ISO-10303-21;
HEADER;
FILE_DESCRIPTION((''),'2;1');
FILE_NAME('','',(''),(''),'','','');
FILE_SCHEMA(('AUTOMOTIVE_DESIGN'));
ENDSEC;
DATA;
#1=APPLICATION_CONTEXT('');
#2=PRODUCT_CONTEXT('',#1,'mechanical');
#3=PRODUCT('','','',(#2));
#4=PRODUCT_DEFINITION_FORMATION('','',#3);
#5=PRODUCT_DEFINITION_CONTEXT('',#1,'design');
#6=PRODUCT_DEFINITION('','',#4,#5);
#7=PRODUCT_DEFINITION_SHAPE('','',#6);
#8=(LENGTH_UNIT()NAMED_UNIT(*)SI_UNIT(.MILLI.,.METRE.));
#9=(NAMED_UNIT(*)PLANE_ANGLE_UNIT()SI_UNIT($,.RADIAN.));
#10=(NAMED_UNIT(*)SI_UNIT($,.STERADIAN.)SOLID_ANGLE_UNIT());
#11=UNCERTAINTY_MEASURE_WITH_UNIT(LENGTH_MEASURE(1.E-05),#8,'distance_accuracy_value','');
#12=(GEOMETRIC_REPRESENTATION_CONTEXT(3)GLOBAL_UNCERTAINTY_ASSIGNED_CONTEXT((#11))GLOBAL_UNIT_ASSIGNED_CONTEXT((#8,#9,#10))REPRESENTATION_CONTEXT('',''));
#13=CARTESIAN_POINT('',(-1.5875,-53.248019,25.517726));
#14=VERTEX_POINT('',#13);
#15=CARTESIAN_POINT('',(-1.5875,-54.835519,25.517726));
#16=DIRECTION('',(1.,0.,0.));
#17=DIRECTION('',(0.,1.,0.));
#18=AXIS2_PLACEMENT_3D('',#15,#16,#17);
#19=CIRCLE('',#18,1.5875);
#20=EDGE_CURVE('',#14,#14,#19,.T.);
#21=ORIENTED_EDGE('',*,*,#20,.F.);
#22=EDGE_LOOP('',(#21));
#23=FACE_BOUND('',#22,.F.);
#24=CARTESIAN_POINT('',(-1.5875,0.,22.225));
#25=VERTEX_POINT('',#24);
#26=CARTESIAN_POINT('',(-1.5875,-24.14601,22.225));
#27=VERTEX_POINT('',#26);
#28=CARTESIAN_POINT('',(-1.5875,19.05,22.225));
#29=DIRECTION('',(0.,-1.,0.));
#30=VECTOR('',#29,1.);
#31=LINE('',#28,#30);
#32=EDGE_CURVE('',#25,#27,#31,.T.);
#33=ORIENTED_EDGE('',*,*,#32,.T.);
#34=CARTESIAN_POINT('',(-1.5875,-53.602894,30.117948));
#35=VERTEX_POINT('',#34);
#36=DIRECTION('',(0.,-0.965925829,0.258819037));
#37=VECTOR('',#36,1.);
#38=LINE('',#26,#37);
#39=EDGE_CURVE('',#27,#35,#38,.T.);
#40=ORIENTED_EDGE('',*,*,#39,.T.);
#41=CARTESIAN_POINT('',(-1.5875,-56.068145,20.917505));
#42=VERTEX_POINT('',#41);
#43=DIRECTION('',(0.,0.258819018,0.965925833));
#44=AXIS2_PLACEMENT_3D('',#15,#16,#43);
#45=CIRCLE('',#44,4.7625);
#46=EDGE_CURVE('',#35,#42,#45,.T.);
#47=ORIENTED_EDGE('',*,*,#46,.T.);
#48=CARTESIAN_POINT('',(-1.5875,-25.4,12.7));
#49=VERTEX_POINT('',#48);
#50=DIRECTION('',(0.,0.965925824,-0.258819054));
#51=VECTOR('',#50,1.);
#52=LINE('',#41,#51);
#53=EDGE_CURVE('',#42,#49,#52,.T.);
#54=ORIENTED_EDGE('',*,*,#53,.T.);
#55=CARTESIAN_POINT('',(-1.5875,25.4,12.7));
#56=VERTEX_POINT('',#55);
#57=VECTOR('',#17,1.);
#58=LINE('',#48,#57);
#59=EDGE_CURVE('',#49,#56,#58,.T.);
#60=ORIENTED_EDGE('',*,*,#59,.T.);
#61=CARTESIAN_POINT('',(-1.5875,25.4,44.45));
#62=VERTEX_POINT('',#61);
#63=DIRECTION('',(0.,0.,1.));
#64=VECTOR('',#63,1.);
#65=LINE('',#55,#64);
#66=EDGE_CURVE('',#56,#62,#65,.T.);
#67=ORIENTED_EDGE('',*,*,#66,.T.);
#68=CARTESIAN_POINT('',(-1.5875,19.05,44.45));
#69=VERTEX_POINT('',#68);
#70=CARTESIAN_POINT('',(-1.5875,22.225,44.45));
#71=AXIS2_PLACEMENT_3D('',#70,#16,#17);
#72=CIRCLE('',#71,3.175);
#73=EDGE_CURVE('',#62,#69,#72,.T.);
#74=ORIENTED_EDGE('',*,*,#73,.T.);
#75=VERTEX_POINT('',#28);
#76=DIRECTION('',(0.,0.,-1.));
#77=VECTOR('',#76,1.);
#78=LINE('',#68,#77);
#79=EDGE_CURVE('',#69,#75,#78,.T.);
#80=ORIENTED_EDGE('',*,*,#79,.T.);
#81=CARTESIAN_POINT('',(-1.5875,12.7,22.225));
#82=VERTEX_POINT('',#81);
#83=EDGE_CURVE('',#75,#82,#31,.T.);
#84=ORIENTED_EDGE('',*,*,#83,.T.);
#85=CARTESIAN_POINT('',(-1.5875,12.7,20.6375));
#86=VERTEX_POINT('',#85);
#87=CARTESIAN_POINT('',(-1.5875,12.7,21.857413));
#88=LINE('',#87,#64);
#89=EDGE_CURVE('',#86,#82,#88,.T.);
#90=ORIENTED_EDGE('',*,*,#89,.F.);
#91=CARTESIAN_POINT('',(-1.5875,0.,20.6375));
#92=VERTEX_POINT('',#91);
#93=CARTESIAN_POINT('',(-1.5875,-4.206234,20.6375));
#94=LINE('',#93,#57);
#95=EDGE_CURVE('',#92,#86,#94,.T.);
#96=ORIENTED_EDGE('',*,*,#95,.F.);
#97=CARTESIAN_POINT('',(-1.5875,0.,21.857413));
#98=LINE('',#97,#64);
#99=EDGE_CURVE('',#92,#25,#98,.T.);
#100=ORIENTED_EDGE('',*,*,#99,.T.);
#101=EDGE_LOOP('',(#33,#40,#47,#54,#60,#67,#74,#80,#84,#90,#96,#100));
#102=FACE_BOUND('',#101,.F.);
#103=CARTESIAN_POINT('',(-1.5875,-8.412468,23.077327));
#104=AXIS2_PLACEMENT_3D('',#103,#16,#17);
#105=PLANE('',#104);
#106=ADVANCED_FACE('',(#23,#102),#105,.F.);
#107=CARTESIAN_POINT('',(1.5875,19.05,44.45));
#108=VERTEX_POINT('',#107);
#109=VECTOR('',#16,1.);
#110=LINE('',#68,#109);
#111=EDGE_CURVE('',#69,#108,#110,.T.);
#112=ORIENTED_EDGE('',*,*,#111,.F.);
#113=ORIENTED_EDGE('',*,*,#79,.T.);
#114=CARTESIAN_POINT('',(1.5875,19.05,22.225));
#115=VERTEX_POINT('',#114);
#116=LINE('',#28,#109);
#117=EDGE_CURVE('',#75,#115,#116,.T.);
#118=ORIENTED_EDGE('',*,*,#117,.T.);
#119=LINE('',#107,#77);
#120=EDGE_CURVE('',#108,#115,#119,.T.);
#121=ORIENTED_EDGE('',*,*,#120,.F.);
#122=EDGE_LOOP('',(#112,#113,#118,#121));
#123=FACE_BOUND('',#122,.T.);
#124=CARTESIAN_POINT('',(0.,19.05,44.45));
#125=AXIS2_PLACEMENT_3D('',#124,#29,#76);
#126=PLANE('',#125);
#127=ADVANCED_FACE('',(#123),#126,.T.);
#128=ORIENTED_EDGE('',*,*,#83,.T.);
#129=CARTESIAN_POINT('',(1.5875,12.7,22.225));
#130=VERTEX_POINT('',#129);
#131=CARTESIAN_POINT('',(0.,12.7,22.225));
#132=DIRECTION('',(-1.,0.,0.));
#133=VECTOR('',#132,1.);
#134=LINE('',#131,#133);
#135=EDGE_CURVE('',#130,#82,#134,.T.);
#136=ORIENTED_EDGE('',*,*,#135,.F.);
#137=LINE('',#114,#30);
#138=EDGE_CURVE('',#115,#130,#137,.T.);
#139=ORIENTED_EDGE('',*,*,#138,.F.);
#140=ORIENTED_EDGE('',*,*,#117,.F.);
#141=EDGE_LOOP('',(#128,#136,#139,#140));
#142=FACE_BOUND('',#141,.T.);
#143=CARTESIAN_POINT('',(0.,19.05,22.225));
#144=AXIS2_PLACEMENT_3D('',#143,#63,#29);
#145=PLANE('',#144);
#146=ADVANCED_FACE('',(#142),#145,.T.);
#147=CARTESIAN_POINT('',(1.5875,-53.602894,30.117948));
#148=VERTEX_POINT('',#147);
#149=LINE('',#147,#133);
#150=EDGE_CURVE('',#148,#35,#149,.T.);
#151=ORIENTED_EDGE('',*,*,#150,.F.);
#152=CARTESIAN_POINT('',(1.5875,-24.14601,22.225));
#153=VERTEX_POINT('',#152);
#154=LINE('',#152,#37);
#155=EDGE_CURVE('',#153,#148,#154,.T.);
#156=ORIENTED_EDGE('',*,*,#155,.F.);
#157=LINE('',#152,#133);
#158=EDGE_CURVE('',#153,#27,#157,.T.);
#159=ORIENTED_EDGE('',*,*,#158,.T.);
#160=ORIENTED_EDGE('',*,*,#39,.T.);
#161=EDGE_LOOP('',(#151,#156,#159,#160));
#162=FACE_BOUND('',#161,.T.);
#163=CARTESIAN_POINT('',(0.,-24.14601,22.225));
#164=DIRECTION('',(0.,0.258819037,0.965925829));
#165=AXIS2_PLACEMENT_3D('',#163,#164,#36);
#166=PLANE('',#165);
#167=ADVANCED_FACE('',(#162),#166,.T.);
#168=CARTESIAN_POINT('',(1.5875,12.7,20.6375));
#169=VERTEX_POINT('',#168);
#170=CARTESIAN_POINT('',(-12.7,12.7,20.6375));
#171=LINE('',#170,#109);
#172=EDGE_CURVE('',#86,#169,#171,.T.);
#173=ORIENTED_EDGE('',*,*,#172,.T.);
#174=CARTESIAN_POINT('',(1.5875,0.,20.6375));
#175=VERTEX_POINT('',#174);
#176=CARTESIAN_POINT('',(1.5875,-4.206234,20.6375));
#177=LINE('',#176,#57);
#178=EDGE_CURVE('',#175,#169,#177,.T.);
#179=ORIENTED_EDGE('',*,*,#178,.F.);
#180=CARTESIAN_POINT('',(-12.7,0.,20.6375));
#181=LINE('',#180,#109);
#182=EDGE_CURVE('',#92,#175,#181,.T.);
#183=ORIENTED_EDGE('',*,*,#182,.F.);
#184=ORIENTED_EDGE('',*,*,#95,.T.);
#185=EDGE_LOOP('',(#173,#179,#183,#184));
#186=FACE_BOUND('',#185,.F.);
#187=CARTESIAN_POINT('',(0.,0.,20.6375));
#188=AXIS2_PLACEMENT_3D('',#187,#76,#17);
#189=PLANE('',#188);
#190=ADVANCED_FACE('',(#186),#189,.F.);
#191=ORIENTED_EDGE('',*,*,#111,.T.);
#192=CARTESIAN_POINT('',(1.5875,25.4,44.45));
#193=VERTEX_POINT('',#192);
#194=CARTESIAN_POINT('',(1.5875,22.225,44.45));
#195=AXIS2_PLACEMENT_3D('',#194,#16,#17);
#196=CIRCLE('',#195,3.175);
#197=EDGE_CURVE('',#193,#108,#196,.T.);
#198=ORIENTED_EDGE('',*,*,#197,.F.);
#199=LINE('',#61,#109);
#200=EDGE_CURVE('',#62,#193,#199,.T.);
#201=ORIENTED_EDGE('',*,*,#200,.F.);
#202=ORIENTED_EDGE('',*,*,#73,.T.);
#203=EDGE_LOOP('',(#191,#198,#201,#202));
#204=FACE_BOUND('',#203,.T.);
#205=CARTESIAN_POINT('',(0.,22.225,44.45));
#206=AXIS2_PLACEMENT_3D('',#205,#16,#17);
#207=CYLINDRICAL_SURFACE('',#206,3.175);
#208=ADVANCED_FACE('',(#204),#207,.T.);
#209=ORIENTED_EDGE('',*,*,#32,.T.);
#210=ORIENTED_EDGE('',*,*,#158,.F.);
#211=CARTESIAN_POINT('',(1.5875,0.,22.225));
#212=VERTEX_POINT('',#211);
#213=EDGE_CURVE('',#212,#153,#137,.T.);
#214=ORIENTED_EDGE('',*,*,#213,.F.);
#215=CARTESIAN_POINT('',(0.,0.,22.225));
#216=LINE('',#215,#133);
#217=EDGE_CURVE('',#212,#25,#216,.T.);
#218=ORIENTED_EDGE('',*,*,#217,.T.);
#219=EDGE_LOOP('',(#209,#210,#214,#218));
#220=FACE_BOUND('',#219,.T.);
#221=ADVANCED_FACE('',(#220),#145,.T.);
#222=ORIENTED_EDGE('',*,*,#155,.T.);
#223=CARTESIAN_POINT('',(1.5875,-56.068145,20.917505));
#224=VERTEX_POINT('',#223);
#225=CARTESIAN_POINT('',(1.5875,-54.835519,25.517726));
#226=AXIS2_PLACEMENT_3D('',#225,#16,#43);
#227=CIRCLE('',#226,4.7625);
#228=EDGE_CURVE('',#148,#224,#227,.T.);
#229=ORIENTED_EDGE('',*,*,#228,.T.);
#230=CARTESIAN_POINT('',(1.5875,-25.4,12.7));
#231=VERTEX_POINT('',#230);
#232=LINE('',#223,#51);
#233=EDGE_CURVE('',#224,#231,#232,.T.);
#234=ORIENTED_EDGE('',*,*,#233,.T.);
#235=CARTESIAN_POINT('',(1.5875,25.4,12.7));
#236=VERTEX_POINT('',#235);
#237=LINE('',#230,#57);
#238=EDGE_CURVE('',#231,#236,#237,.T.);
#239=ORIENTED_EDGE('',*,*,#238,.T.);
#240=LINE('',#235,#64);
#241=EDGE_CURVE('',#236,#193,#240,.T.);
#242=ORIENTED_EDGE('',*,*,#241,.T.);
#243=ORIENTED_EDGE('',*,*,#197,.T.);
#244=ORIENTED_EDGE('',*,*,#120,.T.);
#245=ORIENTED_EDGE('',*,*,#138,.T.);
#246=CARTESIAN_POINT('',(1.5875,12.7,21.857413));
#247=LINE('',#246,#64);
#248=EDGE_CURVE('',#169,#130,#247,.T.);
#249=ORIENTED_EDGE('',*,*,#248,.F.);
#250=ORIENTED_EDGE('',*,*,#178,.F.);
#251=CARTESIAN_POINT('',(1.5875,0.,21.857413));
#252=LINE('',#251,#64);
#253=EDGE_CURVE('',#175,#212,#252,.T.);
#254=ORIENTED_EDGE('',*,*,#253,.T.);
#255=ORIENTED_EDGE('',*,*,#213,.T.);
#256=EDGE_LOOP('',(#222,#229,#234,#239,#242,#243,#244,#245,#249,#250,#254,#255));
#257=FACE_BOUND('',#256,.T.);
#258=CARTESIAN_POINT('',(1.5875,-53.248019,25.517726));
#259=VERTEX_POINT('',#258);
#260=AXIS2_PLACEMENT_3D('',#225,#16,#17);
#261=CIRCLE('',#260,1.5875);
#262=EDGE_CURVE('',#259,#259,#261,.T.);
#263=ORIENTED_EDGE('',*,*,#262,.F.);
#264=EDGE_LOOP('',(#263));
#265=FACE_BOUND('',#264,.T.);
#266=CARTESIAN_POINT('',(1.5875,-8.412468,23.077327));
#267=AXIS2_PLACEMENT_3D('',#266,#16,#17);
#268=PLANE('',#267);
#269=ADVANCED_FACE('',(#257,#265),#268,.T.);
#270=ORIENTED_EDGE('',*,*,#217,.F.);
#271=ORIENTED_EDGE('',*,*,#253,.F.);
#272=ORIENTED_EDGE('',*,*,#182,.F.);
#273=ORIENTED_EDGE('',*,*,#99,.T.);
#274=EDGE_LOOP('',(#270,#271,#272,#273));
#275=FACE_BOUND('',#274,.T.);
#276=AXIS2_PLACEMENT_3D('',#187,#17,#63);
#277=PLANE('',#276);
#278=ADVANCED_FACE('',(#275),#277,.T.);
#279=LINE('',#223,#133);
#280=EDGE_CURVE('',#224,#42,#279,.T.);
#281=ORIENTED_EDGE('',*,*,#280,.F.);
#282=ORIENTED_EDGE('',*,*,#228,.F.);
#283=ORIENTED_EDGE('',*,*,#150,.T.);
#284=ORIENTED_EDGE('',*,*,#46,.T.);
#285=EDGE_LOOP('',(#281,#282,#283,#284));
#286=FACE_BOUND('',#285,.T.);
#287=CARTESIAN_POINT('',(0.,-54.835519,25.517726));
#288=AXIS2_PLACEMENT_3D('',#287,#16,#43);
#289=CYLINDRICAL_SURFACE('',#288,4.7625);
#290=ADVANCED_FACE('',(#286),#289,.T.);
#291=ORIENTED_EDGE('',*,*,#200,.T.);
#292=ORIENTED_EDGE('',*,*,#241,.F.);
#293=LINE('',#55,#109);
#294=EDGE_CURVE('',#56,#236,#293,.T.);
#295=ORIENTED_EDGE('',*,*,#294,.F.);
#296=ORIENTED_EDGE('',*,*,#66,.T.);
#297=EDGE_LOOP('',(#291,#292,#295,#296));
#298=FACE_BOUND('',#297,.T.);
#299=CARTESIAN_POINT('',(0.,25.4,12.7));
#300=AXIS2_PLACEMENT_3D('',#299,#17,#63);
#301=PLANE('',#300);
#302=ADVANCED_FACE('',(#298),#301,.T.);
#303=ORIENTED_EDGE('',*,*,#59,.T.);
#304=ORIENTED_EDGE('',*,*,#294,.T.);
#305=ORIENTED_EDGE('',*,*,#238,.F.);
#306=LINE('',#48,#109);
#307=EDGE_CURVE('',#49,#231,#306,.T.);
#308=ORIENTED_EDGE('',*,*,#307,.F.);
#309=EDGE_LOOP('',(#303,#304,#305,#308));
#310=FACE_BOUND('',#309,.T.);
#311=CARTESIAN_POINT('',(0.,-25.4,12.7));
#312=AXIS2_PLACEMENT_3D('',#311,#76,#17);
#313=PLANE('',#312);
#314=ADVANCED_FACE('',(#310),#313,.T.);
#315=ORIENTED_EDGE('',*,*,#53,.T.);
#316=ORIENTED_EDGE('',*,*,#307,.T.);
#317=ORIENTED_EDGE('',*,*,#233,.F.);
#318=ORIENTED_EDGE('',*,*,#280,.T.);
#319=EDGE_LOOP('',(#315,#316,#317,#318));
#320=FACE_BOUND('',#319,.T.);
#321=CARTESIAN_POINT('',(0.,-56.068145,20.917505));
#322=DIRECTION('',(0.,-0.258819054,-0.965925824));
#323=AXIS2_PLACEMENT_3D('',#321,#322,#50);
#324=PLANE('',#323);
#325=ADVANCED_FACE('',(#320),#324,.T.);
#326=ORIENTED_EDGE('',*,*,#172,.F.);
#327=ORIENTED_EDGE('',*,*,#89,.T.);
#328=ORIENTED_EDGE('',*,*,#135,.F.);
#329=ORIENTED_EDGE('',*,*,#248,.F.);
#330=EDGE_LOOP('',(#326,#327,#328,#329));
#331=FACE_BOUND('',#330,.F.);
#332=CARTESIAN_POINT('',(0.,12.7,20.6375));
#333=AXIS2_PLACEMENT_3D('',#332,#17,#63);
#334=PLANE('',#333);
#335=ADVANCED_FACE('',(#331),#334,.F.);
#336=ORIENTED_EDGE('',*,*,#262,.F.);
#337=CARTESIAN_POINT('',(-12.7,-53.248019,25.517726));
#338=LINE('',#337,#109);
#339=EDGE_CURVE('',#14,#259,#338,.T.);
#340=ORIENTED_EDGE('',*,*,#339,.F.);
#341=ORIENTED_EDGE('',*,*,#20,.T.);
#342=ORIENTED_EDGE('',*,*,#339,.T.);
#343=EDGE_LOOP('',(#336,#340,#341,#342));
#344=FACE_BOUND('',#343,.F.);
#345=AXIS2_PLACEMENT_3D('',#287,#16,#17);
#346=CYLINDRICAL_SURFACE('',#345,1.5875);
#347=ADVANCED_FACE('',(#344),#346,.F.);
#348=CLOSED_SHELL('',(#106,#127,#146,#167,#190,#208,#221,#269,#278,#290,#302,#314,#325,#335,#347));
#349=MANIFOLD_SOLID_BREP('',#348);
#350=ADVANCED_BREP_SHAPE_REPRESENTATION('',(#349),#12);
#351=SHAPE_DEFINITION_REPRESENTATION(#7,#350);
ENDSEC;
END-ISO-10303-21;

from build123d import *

# Parameters (mm, degrees)
F3_DEPTH = 1.5875
F2_W     = 12.7
F2_H     = 3.175
F4_DEPTH = 12.7
F1_R     = 1.5875
F5_DEPTH = 12.7


with BuildPart() as f3:
    # F0 (on Right) → F3 (new body, symmetric)
    with BuildSketch(Plane.YZ):
        with BuildLine():
            Line((-56.068145, 20.917505), (-25.4, 12.7))
            Line((-25.4, 12.7), (25.4, 12.7))
            Line((25.4, 12.7), (25.4, 44.45))
            ThreePointArc((25.4, 44.45), (22.225, 47.625), (19.05, 44.45))
            Line((19.05, 44.45), (19.05, 22.225))
            Line((19.05, 22.225), (-24.14601, 22.225))
            Line((-24.14601, 22.225), (-53.602894, 30.117948))
            ThreePointArc((-53.602894, 30.117948), (-59.435741, 26.750352), (-56.068145, 20.917505))
        make_face()
    extrude(amount=F3_DEPTH, both=True)

    # F2 (on Right) → F4 (cut, symmetric)
    with BuildSketch(Plane.YZ):
        with Locations((6.35, 22.225)):
            Rectangle(F2_W, F2_H)
    extrude(amount=F4_DEPTH, both=True, mode=Mode.SUBTRACT)

    # F1 (on Right) → F5 (cut, symmetric)
    with BuildSketch(Plane.YZ):
        with Locations((-54.835519, 25.517726)):
            Circle(F1_R)
    extrude(amount=F5_DEPTH, both=True, mode=Mode.SUBTRACT)


solid = f3.part
